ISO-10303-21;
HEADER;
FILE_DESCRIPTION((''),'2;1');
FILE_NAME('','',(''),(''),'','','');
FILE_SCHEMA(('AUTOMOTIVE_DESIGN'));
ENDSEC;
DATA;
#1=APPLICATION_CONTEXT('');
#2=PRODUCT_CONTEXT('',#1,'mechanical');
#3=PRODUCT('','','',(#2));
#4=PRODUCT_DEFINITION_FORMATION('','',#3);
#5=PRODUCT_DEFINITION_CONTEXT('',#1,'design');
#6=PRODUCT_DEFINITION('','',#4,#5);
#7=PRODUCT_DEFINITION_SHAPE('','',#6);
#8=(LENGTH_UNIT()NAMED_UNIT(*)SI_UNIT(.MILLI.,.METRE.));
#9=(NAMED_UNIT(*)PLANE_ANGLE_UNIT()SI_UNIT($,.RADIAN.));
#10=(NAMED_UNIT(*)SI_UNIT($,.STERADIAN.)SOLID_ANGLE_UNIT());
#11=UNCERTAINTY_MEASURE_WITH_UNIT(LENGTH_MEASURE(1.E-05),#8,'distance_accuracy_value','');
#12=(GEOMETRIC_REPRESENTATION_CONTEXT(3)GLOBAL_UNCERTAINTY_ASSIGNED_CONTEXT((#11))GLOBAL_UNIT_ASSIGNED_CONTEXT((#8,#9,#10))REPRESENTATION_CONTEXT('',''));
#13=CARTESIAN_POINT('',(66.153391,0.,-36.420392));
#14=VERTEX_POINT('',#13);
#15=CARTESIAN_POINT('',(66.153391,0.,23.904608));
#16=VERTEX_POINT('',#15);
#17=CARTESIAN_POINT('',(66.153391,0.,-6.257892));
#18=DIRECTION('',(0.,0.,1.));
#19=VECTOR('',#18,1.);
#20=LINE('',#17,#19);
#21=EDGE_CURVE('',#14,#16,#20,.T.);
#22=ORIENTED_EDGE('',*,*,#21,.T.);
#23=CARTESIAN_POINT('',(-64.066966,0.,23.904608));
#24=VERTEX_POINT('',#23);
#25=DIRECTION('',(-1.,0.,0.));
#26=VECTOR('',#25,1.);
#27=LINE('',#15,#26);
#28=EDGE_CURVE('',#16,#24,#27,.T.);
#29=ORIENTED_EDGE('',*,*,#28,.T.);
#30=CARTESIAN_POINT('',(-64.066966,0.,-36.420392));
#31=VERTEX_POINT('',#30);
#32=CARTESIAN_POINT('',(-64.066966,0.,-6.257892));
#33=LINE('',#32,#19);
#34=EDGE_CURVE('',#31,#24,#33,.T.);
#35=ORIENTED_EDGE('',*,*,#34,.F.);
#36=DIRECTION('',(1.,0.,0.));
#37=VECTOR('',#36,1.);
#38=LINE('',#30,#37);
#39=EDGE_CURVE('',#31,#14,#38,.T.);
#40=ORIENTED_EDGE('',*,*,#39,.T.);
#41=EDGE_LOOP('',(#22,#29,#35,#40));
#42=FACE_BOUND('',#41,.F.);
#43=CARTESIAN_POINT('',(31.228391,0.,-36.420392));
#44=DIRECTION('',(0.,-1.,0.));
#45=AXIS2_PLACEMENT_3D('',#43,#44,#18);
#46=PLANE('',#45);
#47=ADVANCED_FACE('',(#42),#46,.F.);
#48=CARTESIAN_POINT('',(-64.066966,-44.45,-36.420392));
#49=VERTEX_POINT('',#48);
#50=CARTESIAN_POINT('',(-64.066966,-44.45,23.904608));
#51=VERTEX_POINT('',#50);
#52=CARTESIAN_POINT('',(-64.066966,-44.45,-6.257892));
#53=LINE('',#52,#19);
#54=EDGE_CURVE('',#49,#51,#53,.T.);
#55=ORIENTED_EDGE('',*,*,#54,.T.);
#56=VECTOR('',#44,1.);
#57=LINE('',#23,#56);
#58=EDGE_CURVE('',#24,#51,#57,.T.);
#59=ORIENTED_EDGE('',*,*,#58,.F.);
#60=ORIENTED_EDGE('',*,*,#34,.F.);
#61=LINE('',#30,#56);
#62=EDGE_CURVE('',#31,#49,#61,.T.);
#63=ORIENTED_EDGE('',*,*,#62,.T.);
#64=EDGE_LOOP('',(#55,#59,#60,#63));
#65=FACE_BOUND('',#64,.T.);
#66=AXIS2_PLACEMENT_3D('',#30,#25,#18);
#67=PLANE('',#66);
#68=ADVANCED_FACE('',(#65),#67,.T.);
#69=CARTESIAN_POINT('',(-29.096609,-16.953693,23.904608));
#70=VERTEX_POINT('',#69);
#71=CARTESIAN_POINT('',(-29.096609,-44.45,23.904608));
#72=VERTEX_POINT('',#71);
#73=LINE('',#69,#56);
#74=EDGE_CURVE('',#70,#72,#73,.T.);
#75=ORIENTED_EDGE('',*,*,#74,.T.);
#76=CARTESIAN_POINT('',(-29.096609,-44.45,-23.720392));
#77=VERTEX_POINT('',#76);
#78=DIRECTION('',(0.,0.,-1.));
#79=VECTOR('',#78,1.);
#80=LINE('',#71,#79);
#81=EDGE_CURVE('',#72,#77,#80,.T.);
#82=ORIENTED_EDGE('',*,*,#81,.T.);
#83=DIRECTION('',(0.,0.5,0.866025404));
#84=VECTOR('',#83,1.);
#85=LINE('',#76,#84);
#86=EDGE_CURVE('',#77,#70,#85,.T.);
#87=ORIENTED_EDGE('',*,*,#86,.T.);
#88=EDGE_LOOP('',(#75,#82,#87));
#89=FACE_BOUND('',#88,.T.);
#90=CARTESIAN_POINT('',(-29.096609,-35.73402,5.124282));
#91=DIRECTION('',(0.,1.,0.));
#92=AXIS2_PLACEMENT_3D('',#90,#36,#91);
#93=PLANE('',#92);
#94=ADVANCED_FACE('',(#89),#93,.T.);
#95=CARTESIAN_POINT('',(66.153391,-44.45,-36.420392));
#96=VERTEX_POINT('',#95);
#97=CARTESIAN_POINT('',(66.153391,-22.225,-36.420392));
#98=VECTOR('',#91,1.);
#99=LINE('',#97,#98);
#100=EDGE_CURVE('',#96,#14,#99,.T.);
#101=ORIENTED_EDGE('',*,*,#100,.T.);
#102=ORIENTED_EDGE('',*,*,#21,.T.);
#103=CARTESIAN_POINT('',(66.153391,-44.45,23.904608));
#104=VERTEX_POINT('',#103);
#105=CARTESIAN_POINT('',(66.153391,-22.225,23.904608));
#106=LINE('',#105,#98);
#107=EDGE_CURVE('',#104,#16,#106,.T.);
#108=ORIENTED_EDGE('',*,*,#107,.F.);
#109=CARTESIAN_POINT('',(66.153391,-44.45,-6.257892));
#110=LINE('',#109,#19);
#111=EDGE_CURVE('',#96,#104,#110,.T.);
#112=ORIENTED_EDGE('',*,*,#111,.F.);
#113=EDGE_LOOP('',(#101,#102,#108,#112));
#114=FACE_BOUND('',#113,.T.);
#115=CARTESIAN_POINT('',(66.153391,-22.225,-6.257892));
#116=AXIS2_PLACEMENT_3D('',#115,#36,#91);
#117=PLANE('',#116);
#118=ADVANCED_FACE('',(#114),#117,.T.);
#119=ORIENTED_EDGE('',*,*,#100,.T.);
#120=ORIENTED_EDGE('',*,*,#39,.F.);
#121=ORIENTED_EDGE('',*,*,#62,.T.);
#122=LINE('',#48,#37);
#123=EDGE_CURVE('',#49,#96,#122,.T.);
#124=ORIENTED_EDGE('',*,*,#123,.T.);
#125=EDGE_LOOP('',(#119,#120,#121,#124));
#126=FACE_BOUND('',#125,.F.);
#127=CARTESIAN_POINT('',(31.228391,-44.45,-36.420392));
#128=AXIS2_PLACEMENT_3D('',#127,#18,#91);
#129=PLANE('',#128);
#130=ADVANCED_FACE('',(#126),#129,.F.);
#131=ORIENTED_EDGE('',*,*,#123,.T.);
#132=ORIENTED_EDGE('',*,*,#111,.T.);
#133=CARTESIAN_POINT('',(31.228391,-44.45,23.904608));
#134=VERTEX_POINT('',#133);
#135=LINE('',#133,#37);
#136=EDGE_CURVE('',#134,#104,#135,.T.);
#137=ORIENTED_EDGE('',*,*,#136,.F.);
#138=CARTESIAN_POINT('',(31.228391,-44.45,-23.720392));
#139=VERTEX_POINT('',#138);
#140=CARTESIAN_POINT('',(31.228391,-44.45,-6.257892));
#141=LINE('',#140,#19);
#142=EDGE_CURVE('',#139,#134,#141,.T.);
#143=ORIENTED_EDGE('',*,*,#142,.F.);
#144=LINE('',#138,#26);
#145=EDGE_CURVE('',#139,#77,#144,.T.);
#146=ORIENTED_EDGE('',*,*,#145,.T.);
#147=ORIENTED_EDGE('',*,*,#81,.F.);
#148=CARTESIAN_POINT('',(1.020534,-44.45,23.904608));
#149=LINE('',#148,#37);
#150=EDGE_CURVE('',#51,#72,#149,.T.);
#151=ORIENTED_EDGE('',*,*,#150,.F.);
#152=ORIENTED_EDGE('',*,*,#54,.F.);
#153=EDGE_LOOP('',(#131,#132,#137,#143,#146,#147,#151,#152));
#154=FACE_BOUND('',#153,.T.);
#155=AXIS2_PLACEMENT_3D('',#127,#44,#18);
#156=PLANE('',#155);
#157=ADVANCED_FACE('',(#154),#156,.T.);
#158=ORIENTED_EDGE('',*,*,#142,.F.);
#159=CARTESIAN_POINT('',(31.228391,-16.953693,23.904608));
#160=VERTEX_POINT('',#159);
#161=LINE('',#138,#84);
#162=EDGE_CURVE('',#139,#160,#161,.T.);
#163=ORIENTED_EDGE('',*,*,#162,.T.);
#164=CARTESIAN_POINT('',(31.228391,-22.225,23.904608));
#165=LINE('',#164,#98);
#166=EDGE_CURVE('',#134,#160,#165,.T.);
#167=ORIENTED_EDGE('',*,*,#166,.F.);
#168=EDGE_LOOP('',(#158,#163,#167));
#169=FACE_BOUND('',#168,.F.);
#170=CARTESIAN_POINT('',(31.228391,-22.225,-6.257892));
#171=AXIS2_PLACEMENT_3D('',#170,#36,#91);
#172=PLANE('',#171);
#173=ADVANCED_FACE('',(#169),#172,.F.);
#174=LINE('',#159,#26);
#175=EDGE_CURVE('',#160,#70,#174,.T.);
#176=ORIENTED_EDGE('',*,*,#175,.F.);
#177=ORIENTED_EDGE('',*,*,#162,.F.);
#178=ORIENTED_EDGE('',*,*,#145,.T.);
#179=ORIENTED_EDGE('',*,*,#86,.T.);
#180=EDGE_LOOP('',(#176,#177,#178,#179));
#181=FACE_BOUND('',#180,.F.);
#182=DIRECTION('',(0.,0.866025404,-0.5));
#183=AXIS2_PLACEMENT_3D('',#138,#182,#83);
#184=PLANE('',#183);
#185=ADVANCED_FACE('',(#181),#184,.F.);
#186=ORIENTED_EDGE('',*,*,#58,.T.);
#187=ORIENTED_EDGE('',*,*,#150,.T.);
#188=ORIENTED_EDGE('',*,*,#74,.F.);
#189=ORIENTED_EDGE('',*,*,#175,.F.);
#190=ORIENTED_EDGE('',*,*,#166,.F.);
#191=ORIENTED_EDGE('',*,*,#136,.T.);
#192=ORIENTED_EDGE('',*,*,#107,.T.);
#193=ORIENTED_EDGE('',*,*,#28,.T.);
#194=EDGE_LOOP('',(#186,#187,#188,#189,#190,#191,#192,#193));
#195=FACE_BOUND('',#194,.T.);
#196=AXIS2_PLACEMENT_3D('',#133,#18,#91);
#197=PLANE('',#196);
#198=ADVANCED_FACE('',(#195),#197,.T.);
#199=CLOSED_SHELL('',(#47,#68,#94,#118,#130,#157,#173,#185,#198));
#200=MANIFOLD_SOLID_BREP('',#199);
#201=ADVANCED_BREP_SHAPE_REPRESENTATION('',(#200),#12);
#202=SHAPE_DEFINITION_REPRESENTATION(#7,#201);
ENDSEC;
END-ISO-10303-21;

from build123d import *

# Parameters (mm, degrees)
F0_W     = 130.175
F0_H     = 60.325
F1_DEPTH = 44.45
F3_W     = 34.9023286253
F3_H     = 60.4157168418
F4_DEPTH = 44.45
F5_DEPTH = 25.4
F7_DEPTH = 60.325
F8_W     = 44.45
F8_H     = 60.325
F9_DEPTH = 34.925


with BuildPart() as f1:
    # F0 (on Front) → F1 (new body)
    with BuildSketch(Plane.XZ):
        with Locations((1.020533964, -6.2578915411)):
            Rectangle(F0_W, F0_H)
    extrude(amount=F1_DEPTH)

    # F3 (on face) → F4 (cut)
    with BuildSketch(Plane.XZ.offset(44.45)):
        with Locations((48.6795557663, -6.1232140288)):
            Rectangle(F3_W, F3_H)
    extrude(amount=-F4_DEPTH, mode=Mode.SUBTRACT)

    # F5 (cut): a face of the model
    f5_faces = [f1.faces().sort_by_distance(p)[0] for p in [
        (48.6682127088, -22.225, -36.3310724497),
    ]]
    extrude(f5_faces, amount=-F5_DEPTH, mode=Mode.SUBTRACT)

    # F6 (on face) → F7 (cut)
    with BuildSketch(Plane.YZ.offset(31.2283914536)):
        Polygon((-44.45, 23.9046084589), (-44.45, -23.7203915411), (-16.9536934298, 23.9046084589), align=None)
    extrude(amount=-F7_DEPTH, mode=Mode.SUBTRACT)

    # F8 (on face) → F9 (join)
    with BuildSketch(Plane.YZ.offset(31.2283914536)):
        with Locations((-22.225, -6.2578915411)):
            Rectangle(F8_W, F8_H)
    extrude(amount=F9_DEPTH)


solid = f1.part
